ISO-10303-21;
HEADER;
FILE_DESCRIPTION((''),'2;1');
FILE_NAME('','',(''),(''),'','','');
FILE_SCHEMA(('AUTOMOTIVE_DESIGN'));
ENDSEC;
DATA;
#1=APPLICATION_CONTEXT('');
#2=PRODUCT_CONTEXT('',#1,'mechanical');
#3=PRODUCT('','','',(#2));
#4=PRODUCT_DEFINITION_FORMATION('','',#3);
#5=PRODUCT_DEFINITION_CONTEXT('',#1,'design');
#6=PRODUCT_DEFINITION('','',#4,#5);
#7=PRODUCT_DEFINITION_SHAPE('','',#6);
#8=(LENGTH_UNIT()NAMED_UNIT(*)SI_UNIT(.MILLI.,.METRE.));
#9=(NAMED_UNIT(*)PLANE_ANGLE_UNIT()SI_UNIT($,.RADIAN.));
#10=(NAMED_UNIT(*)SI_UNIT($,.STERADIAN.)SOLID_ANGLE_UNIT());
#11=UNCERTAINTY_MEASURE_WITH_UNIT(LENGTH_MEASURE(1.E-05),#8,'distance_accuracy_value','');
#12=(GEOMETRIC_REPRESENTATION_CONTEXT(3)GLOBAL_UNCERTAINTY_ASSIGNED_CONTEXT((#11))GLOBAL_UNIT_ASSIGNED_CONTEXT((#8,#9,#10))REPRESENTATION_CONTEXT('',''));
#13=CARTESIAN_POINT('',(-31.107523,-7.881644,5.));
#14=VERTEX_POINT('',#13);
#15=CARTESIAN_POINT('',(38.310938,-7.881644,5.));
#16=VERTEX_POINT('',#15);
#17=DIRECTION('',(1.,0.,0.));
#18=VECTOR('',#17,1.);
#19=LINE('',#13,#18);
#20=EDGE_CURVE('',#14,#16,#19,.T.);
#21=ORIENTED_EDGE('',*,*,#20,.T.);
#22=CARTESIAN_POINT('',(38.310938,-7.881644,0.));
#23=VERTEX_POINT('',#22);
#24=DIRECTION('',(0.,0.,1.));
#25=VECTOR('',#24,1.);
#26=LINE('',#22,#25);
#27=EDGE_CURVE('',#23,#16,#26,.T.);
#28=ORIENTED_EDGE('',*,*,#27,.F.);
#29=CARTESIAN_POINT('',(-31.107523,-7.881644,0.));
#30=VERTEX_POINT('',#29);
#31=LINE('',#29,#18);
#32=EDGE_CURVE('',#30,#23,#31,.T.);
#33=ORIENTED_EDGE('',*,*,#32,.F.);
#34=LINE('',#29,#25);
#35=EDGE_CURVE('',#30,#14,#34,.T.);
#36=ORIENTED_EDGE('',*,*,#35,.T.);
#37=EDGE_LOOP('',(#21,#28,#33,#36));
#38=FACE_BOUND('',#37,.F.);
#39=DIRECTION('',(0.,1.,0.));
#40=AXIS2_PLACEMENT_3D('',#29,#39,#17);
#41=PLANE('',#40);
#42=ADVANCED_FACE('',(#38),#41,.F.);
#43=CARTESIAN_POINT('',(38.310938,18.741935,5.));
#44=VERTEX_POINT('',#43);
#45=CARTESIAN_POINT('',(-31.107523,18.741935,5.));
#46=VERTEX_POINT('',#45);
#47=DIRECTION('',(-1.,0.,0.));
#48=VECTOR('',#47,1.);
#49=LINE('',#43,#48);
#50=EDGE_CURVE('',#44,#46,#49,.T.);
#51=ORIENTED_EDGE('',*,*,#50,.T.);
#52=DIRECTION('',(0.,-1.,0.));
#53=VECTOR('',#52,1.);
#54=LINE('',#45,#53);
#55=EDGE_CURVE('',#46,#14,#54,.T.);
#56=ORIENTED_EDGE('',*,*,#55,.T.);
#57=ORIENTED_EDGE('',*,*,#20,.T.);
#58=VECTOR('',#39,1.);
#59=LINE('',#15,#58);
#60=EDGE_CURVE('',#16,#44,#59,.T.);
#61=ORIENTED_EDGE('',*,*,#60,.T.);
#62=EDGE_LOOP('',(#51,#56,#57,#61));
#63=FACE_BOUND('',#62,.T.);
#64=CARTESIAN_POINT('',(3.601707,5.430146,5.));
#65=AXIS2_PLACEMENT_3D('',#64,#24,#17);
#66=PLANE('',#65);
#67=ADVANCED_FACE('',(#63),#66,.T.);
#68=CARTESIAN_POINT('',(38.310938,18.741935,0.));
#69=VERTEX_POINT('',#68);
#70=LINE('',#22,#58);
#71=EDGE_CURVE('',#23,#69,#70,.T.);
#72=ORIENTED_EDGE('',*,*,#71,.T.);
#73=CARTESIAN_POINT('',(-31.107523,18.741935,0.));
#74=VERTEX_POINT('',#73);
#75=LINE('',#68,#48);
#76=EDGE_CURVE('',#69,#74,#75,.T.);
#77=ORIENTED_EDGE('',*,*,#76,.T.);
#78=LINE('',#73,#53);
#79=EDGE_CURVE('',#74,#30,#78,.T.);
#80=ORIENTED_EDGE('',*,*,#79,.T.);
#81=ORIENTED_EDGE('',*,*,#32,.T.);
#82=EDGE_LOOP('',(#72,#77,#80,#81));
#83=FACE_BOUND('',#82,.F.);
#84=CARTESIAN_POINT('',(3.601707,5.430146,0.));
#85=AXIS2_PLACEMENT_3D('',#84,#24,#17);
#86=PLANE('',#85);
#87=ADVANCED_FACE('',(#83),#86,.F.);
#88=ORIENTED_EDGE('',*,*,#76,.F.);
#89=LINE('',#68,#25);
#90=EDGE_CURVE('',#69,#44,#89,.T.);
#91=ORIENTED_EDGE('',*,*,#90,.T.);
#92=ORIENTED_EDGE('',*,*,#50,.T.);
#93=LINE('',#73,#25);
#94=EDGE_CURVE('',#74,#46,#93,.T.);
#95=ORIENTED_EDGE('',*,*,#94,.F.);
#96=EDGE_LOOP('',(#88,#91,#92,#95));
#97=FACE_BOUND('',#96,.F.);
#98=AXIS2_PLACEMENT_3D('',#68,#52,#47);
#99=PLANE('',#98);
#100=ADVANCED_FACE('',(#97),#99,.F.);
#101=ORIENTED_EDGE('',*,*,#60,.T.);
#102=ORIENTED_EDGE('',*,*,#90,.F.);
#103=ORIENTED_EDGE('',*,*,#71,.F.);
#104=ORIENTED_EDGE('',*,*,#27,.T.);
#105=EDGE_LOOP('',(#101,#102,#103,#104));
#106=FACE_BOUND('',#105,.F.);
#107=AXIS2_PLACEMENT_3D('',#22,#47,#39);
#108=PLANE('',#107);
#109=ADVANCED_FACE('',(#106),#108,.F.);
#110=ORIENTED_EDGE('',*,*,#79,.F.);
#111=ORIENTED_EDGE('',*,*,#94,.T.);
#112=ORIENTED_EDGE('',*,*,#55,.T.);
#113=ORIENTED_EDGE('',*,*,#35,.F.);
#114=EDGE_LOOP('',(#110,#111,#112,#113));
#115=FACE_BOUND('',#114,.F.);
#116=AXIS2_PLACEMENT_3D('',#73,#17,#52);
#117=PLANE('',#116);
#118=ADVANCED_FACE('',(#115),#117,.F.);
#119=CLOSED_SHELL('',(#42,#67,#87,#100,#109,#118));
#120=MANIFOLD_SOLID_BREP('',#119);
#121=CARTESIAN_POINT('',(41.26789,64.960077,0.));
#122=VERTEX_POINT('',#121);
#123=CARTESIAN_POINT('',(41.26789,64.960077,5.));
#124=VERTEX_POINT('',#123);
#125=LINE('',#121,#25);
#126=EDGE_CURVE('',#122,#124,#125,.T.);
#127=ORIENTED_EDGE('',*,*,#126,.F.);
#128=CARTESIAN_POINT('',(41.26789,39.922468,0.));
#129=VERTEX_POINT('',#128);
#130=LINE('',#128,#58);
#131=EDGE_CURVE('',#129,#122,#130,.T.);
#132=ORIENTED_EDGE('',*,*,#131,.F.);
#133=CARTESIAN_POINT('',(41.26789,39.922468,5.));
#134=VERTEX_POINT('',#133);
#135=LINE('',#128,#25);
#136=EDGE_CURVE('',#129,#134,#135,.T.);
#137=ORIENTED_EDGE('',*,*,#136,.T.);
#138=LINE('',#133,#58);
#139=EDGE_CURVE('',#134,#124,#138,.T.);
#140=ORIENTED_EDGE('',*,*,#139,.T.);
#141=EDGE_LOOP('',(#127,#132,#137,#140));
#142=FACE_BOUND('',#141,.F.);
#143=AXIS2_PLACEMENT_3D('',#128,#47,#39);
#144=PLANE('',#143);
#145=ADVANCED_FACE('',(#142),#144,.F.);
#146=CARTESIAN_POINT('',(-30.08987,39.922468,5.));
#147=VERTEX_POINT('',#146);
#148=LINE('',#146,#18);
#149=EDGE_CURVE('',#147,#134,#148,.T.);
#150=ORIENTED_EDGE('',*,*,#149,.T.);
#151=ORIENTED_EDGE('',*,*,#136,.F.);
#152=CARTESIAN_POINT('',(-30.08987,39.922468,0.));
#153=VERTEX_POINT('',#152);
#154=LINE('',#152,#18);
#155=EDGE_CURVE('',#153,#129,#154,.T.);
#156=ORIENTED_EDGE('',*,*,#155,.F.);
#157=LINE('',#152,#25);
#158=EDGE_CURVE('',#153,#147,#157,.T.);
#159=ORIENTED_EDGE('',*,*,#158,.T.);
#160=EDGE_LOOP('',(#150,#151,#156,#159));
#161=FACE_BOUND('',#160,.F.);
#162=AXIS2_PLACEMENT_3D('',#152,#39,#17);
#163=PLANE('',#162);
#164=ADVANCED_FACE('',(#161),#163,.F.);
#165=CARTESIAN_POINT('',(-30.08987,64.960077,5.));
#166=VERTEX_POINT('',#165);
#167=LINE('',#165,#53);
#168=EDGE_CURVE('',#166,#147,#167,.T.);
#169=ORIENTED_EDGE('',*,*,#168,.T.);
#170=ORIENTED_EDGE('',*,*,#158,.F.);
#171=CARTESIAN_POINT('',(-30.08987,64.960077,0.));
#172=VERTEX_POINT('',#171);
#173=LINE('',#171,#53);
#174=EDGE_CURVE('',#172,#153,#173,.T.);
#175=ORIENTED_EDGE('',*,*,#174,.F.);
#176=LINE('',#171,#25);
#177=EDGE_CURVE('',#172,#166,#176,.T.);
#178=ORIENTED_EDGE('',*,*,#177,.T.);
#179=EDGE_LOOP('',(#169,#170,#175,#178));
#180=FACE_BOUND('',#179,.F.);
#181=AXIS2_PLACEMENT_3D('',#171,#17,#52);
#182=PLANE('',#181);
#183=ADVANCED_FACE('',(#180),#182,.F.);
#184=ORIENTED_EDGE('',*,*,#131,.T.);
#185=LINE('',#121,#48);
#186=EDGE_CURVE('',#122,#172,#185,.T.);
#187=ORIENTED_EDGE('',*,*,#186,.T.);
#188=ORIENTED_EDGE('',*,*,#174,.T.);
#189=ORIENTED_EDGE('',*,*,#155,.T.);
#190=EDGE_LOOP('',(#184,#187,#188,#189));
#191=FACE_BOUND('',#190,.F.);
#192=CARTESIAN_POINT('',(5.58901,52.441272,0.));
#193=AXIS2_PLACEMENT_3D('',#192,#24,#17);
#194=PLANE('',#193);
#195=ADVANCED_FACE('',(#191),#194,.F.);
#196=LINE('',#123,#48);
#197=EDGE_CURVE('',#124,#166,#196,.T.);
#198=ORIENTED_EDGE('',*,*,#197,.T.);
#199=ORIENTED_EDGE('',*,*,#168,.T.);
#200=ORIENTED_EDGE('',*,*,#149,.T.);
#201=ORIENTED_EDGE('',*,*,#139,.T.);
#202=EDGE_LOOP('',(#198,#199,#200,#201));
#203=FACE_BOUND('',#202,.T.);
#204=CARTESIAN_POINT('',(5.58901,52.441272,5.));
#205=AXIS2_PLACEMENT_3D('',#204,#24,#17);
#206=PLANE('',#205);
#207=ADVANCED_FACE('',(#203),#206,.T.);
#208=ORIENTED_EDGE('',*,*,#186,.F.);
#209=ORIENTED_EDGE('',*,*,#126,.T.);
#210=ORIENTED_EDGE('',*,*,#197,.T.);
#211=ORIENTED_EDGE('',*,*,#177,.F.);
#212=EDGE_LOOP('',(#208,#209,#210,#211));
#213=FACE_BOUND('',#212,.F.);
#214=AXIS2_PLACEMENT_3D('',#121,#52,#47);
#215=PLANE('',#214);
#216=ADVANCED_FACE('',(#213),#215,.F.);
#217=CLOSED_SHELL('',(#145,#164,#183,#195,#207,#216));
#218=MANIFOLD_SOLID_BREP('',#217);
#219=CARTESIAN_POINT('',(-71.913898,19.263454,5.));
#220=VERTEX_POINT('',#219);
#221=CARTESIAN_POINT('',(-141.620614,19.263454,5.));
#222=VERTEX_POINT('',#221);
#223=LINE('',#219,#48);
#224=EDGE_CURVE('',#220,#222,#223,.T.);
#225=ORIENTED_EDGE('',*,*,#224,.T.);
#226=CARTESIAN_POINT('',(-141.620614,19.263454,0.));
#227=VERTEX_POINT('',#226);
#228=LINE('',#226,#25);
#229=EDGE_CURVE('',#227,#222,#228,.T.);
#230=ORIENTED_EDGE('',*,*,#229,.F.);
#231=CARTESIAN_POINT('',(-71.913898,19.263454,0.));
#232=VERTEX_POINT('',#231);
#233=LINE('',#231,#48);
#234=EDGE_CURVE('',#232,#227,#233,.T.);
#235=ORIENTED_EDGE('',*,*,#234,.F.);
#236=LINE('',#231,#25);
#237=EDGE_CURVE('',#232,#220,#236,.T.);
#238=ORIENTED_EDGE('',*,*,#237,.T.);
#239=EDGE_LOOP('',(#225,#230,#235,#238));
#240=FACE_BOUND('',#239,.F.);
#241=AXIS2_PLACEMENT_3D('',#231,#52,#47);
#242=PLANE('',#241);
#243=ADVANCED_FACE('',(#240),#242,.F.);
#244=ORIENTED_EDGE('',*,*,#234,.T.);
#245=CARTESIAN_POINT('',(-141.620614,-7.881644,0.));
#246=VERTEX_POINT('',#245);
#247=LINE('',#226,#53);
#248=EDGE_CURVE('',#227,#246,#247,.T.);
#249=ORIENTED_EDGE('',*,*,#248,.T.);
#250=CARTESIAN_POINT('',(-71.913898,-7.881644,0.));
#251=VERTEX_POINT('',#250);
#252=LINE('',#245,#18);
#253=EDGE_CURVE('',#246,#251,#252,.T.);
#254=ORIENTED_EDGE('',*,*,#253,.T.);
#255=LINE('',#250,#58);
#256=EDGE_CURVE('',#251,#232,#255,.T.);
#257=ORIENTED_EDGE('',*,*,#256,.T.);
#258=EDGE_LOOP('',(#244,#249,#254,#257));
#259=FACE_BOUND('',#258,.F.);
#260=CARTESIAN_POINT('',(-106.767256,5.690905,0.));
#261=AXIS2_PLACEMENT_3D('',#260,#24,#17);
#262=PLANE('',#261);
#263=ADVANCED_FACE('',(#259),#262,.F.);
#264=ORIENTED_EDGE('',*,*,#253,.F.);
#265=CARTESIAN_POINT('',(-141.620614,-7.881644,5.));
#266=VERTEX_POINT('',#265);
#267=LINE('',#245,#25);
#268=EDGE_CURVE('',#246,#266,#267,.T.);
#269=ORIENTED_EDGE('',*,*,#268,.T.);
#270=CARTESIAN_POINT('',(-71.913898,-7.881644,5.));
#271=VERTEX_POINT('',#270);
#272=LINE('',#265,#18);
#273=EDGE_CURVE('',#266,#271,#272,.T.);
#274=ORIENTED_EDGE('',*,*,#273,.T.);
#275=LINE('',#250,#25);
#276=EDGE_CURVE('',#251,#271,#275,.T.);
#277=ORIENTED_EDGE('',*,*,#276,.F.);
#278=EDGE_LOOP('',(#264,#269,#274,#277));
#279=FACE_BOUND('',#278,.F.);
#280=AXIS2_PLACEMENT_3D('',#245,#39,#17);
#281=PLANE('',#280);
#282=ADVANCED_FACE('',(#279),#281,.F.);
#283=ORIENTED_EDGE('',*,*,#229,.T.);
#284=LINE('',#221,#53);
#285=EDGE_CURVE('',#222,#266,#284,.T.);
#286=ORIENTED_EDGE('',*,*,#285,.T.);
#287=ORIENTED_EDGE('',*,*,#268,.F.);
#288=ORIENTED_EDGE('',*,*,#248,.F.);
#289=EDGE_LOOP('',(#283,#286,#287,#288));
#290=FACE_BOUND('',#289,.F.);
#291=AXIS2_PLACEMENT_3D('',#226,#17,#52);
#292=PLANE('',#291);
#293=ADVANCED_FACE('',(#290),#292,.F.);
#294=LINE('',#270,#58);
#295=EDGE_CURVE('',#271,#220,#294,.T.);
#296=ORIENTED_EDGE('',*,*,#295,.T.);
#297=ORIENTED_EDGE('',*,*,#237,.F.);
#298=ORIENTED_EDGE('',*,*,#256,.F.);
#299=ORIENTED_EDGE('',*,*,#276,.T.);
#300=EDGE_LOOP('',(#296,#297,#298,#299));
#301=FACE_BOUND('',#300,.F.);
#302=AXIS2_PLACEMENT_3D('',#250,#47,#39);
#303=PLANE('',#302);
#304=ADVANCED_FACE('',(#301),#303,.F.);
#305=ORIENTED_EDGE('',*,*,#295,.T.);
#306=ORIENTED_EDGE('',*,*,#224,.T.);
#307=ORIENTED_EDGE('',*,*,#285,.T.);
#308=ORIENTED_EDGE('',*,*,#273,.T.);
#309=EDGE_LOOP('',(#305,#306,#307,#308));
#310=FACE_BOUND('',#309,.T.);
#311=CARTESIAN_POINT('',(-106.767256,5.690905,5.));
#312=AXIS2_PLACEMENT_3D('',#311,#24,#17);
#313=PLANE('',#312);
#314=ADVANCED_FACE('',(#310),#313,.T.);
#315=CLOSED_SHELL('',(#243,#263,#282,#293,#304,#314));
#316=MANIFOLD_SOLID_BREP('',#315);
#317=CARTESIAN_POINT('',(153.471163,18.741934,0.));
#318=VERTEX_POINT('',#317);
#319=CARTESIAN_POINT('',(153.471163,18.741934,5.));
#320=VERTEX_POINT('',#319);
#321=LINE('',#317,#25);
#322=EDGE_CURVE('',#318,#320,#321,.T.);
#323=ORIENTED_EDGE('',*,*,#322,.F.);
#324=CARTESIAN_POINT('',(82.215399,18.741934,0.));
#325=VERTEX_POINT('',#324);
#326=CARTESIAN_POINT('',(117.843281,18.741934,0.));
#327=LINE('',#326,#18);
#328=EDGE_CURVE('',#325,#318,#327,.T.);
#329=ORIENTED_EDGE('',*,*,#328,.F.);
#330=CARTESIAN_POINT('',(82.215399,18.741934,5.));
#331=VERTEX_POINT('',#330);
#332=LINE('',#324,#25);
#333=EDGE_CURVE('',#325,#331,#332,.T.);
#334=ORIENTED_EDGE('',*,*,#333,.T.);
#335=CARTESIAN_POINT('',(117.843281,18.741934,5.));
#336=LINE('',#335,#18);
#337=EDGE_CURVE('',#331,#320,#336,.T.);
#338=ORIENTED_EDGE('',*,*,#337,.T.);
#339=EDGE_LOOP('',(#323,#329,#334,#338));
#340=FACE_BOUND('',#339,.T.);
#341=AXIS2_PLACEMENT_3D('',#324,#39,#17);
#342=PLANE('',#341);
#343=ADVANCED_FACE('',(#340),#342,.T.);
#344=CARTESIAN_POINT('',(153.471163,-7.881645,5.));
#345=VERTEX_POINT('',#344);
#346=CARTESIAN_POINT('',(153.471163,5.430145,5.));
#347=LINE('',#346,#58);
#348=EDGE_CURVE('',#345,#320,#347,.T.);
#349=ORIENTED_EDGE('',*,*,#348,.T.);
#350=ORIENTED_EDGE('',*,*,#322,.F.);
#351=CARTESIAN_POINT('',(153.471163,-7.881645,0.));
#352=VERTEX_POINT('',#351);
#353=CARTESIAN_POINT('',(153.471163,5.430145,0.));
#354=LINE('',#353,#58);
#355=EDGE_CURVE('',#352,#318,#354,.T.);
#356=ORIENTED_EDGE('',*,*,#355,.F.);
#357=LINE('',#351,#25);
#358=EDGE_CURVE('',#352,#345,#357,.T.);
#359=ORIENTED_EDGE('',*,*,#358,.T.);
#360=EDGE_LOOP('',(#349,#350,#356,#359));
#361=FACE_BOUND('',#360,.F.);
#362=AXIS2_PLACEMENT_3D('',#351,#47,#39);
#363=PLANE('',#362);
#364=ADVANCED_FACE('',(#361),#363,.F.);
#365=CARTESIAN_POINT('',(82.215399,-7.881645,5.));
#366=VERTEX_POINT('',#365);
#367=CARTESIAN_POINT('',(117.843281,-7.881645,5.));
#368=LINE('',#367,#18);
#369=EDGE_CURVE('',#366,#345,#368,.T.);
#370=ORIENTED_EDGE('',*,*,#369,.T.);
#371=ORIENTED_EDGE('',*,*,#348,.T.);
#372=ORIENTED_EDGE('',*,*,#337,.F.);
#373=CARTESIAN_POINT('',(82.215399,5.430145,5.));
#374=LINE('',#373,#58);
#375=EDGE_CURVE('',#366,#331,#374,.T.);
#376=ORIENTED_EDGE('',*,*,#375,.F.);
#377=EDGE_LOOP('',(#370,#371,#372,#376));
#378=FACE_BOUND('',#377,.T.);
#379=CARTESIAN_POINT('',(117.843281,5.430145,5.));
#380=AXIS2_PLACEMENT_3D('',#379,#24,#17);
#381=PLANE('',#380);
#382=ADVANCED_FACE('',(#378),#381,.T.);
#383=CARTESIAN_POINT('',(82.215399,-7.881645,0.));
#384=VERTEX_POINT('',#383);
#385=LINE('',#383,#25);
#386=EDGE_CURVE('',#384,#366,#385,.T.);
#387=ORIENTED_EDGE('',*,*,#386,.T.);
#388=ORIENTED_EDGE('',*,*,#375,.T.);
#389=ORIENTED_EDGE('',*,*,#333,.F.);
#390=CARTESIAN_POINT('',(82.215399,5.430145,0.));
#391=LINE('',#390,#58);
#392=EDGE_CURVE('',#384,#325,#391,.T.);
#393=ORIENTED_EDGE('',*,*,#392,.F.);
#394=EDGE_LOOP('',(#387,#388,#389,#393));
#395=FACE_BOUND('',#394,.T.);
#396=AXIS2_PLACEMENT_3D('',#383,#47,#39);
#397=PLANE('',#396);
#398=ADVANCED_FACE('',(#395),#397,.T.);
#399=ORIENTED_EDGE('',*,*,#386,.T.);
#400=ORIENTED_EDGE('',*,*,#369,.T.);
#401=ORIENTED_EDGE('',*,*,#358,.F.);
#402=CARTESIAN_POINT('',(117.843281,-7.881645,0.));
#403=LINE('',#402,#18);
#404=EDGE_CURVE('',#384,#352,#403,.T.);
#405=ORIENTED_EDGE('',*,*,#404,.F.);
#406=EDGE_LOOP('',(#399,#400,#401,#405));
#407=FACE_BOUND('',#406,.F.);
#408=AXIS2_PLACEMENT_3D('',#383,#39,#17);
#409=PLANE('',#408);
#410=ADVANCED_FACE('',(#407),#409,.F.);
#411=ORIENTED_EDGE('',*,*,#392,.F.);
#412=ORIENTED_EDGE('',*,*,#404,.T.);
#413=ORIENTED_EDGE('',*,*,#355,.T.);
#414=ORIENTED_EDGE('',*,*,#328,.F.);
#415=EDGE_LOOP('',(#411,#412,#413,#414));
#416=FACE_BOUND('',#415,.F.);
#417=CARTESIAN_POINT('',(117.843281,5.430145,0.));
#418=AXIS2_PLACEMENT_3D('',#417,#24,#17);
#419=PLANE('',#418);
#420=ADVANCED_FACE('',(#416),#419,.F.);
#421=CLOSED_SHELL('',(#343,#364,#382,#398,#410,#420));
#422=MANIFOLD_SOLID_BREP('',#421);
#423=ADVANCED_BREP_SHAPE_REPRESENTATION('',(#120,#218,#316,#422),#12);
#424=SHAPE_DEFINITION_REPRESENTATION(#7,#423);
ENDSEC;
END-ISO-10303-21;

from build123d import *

# Parameters (mm, degrees)
F0_W     = 71.255765
F0_H     = 26.623579
F1_DEPTH = 5


with BuildPart() as f1:
    # F0 (on Top) → F1 (new body)
    with BuildSketch(Plane.XY):
        Polygon((-71.913898, 19.263454), (-106.767256, 19.263454), (-141.620614, 19.263454), (-141.620614, -7.881644), (-71.913898, -7.881644), align=None)
        Polygon((41.26789, 64.960077), (-30.08987, 64.960077), (-30.08987, 39.922468), (3.601708, 39.922468), (41.26789, 39.922468), align=None)
        Polygon((38.310938, 18.741935), (3.601708, 18.741935), (-31.107523, 18.741935), (-31.107523, -7.881644), (38.310938, -7.881644), align=None)
        with Locations((117.843281, 5.430145)):
            Rectangle(F0_W, F0_H)
    extrude(amount=F1_DEPTH)


solid = f1.part
